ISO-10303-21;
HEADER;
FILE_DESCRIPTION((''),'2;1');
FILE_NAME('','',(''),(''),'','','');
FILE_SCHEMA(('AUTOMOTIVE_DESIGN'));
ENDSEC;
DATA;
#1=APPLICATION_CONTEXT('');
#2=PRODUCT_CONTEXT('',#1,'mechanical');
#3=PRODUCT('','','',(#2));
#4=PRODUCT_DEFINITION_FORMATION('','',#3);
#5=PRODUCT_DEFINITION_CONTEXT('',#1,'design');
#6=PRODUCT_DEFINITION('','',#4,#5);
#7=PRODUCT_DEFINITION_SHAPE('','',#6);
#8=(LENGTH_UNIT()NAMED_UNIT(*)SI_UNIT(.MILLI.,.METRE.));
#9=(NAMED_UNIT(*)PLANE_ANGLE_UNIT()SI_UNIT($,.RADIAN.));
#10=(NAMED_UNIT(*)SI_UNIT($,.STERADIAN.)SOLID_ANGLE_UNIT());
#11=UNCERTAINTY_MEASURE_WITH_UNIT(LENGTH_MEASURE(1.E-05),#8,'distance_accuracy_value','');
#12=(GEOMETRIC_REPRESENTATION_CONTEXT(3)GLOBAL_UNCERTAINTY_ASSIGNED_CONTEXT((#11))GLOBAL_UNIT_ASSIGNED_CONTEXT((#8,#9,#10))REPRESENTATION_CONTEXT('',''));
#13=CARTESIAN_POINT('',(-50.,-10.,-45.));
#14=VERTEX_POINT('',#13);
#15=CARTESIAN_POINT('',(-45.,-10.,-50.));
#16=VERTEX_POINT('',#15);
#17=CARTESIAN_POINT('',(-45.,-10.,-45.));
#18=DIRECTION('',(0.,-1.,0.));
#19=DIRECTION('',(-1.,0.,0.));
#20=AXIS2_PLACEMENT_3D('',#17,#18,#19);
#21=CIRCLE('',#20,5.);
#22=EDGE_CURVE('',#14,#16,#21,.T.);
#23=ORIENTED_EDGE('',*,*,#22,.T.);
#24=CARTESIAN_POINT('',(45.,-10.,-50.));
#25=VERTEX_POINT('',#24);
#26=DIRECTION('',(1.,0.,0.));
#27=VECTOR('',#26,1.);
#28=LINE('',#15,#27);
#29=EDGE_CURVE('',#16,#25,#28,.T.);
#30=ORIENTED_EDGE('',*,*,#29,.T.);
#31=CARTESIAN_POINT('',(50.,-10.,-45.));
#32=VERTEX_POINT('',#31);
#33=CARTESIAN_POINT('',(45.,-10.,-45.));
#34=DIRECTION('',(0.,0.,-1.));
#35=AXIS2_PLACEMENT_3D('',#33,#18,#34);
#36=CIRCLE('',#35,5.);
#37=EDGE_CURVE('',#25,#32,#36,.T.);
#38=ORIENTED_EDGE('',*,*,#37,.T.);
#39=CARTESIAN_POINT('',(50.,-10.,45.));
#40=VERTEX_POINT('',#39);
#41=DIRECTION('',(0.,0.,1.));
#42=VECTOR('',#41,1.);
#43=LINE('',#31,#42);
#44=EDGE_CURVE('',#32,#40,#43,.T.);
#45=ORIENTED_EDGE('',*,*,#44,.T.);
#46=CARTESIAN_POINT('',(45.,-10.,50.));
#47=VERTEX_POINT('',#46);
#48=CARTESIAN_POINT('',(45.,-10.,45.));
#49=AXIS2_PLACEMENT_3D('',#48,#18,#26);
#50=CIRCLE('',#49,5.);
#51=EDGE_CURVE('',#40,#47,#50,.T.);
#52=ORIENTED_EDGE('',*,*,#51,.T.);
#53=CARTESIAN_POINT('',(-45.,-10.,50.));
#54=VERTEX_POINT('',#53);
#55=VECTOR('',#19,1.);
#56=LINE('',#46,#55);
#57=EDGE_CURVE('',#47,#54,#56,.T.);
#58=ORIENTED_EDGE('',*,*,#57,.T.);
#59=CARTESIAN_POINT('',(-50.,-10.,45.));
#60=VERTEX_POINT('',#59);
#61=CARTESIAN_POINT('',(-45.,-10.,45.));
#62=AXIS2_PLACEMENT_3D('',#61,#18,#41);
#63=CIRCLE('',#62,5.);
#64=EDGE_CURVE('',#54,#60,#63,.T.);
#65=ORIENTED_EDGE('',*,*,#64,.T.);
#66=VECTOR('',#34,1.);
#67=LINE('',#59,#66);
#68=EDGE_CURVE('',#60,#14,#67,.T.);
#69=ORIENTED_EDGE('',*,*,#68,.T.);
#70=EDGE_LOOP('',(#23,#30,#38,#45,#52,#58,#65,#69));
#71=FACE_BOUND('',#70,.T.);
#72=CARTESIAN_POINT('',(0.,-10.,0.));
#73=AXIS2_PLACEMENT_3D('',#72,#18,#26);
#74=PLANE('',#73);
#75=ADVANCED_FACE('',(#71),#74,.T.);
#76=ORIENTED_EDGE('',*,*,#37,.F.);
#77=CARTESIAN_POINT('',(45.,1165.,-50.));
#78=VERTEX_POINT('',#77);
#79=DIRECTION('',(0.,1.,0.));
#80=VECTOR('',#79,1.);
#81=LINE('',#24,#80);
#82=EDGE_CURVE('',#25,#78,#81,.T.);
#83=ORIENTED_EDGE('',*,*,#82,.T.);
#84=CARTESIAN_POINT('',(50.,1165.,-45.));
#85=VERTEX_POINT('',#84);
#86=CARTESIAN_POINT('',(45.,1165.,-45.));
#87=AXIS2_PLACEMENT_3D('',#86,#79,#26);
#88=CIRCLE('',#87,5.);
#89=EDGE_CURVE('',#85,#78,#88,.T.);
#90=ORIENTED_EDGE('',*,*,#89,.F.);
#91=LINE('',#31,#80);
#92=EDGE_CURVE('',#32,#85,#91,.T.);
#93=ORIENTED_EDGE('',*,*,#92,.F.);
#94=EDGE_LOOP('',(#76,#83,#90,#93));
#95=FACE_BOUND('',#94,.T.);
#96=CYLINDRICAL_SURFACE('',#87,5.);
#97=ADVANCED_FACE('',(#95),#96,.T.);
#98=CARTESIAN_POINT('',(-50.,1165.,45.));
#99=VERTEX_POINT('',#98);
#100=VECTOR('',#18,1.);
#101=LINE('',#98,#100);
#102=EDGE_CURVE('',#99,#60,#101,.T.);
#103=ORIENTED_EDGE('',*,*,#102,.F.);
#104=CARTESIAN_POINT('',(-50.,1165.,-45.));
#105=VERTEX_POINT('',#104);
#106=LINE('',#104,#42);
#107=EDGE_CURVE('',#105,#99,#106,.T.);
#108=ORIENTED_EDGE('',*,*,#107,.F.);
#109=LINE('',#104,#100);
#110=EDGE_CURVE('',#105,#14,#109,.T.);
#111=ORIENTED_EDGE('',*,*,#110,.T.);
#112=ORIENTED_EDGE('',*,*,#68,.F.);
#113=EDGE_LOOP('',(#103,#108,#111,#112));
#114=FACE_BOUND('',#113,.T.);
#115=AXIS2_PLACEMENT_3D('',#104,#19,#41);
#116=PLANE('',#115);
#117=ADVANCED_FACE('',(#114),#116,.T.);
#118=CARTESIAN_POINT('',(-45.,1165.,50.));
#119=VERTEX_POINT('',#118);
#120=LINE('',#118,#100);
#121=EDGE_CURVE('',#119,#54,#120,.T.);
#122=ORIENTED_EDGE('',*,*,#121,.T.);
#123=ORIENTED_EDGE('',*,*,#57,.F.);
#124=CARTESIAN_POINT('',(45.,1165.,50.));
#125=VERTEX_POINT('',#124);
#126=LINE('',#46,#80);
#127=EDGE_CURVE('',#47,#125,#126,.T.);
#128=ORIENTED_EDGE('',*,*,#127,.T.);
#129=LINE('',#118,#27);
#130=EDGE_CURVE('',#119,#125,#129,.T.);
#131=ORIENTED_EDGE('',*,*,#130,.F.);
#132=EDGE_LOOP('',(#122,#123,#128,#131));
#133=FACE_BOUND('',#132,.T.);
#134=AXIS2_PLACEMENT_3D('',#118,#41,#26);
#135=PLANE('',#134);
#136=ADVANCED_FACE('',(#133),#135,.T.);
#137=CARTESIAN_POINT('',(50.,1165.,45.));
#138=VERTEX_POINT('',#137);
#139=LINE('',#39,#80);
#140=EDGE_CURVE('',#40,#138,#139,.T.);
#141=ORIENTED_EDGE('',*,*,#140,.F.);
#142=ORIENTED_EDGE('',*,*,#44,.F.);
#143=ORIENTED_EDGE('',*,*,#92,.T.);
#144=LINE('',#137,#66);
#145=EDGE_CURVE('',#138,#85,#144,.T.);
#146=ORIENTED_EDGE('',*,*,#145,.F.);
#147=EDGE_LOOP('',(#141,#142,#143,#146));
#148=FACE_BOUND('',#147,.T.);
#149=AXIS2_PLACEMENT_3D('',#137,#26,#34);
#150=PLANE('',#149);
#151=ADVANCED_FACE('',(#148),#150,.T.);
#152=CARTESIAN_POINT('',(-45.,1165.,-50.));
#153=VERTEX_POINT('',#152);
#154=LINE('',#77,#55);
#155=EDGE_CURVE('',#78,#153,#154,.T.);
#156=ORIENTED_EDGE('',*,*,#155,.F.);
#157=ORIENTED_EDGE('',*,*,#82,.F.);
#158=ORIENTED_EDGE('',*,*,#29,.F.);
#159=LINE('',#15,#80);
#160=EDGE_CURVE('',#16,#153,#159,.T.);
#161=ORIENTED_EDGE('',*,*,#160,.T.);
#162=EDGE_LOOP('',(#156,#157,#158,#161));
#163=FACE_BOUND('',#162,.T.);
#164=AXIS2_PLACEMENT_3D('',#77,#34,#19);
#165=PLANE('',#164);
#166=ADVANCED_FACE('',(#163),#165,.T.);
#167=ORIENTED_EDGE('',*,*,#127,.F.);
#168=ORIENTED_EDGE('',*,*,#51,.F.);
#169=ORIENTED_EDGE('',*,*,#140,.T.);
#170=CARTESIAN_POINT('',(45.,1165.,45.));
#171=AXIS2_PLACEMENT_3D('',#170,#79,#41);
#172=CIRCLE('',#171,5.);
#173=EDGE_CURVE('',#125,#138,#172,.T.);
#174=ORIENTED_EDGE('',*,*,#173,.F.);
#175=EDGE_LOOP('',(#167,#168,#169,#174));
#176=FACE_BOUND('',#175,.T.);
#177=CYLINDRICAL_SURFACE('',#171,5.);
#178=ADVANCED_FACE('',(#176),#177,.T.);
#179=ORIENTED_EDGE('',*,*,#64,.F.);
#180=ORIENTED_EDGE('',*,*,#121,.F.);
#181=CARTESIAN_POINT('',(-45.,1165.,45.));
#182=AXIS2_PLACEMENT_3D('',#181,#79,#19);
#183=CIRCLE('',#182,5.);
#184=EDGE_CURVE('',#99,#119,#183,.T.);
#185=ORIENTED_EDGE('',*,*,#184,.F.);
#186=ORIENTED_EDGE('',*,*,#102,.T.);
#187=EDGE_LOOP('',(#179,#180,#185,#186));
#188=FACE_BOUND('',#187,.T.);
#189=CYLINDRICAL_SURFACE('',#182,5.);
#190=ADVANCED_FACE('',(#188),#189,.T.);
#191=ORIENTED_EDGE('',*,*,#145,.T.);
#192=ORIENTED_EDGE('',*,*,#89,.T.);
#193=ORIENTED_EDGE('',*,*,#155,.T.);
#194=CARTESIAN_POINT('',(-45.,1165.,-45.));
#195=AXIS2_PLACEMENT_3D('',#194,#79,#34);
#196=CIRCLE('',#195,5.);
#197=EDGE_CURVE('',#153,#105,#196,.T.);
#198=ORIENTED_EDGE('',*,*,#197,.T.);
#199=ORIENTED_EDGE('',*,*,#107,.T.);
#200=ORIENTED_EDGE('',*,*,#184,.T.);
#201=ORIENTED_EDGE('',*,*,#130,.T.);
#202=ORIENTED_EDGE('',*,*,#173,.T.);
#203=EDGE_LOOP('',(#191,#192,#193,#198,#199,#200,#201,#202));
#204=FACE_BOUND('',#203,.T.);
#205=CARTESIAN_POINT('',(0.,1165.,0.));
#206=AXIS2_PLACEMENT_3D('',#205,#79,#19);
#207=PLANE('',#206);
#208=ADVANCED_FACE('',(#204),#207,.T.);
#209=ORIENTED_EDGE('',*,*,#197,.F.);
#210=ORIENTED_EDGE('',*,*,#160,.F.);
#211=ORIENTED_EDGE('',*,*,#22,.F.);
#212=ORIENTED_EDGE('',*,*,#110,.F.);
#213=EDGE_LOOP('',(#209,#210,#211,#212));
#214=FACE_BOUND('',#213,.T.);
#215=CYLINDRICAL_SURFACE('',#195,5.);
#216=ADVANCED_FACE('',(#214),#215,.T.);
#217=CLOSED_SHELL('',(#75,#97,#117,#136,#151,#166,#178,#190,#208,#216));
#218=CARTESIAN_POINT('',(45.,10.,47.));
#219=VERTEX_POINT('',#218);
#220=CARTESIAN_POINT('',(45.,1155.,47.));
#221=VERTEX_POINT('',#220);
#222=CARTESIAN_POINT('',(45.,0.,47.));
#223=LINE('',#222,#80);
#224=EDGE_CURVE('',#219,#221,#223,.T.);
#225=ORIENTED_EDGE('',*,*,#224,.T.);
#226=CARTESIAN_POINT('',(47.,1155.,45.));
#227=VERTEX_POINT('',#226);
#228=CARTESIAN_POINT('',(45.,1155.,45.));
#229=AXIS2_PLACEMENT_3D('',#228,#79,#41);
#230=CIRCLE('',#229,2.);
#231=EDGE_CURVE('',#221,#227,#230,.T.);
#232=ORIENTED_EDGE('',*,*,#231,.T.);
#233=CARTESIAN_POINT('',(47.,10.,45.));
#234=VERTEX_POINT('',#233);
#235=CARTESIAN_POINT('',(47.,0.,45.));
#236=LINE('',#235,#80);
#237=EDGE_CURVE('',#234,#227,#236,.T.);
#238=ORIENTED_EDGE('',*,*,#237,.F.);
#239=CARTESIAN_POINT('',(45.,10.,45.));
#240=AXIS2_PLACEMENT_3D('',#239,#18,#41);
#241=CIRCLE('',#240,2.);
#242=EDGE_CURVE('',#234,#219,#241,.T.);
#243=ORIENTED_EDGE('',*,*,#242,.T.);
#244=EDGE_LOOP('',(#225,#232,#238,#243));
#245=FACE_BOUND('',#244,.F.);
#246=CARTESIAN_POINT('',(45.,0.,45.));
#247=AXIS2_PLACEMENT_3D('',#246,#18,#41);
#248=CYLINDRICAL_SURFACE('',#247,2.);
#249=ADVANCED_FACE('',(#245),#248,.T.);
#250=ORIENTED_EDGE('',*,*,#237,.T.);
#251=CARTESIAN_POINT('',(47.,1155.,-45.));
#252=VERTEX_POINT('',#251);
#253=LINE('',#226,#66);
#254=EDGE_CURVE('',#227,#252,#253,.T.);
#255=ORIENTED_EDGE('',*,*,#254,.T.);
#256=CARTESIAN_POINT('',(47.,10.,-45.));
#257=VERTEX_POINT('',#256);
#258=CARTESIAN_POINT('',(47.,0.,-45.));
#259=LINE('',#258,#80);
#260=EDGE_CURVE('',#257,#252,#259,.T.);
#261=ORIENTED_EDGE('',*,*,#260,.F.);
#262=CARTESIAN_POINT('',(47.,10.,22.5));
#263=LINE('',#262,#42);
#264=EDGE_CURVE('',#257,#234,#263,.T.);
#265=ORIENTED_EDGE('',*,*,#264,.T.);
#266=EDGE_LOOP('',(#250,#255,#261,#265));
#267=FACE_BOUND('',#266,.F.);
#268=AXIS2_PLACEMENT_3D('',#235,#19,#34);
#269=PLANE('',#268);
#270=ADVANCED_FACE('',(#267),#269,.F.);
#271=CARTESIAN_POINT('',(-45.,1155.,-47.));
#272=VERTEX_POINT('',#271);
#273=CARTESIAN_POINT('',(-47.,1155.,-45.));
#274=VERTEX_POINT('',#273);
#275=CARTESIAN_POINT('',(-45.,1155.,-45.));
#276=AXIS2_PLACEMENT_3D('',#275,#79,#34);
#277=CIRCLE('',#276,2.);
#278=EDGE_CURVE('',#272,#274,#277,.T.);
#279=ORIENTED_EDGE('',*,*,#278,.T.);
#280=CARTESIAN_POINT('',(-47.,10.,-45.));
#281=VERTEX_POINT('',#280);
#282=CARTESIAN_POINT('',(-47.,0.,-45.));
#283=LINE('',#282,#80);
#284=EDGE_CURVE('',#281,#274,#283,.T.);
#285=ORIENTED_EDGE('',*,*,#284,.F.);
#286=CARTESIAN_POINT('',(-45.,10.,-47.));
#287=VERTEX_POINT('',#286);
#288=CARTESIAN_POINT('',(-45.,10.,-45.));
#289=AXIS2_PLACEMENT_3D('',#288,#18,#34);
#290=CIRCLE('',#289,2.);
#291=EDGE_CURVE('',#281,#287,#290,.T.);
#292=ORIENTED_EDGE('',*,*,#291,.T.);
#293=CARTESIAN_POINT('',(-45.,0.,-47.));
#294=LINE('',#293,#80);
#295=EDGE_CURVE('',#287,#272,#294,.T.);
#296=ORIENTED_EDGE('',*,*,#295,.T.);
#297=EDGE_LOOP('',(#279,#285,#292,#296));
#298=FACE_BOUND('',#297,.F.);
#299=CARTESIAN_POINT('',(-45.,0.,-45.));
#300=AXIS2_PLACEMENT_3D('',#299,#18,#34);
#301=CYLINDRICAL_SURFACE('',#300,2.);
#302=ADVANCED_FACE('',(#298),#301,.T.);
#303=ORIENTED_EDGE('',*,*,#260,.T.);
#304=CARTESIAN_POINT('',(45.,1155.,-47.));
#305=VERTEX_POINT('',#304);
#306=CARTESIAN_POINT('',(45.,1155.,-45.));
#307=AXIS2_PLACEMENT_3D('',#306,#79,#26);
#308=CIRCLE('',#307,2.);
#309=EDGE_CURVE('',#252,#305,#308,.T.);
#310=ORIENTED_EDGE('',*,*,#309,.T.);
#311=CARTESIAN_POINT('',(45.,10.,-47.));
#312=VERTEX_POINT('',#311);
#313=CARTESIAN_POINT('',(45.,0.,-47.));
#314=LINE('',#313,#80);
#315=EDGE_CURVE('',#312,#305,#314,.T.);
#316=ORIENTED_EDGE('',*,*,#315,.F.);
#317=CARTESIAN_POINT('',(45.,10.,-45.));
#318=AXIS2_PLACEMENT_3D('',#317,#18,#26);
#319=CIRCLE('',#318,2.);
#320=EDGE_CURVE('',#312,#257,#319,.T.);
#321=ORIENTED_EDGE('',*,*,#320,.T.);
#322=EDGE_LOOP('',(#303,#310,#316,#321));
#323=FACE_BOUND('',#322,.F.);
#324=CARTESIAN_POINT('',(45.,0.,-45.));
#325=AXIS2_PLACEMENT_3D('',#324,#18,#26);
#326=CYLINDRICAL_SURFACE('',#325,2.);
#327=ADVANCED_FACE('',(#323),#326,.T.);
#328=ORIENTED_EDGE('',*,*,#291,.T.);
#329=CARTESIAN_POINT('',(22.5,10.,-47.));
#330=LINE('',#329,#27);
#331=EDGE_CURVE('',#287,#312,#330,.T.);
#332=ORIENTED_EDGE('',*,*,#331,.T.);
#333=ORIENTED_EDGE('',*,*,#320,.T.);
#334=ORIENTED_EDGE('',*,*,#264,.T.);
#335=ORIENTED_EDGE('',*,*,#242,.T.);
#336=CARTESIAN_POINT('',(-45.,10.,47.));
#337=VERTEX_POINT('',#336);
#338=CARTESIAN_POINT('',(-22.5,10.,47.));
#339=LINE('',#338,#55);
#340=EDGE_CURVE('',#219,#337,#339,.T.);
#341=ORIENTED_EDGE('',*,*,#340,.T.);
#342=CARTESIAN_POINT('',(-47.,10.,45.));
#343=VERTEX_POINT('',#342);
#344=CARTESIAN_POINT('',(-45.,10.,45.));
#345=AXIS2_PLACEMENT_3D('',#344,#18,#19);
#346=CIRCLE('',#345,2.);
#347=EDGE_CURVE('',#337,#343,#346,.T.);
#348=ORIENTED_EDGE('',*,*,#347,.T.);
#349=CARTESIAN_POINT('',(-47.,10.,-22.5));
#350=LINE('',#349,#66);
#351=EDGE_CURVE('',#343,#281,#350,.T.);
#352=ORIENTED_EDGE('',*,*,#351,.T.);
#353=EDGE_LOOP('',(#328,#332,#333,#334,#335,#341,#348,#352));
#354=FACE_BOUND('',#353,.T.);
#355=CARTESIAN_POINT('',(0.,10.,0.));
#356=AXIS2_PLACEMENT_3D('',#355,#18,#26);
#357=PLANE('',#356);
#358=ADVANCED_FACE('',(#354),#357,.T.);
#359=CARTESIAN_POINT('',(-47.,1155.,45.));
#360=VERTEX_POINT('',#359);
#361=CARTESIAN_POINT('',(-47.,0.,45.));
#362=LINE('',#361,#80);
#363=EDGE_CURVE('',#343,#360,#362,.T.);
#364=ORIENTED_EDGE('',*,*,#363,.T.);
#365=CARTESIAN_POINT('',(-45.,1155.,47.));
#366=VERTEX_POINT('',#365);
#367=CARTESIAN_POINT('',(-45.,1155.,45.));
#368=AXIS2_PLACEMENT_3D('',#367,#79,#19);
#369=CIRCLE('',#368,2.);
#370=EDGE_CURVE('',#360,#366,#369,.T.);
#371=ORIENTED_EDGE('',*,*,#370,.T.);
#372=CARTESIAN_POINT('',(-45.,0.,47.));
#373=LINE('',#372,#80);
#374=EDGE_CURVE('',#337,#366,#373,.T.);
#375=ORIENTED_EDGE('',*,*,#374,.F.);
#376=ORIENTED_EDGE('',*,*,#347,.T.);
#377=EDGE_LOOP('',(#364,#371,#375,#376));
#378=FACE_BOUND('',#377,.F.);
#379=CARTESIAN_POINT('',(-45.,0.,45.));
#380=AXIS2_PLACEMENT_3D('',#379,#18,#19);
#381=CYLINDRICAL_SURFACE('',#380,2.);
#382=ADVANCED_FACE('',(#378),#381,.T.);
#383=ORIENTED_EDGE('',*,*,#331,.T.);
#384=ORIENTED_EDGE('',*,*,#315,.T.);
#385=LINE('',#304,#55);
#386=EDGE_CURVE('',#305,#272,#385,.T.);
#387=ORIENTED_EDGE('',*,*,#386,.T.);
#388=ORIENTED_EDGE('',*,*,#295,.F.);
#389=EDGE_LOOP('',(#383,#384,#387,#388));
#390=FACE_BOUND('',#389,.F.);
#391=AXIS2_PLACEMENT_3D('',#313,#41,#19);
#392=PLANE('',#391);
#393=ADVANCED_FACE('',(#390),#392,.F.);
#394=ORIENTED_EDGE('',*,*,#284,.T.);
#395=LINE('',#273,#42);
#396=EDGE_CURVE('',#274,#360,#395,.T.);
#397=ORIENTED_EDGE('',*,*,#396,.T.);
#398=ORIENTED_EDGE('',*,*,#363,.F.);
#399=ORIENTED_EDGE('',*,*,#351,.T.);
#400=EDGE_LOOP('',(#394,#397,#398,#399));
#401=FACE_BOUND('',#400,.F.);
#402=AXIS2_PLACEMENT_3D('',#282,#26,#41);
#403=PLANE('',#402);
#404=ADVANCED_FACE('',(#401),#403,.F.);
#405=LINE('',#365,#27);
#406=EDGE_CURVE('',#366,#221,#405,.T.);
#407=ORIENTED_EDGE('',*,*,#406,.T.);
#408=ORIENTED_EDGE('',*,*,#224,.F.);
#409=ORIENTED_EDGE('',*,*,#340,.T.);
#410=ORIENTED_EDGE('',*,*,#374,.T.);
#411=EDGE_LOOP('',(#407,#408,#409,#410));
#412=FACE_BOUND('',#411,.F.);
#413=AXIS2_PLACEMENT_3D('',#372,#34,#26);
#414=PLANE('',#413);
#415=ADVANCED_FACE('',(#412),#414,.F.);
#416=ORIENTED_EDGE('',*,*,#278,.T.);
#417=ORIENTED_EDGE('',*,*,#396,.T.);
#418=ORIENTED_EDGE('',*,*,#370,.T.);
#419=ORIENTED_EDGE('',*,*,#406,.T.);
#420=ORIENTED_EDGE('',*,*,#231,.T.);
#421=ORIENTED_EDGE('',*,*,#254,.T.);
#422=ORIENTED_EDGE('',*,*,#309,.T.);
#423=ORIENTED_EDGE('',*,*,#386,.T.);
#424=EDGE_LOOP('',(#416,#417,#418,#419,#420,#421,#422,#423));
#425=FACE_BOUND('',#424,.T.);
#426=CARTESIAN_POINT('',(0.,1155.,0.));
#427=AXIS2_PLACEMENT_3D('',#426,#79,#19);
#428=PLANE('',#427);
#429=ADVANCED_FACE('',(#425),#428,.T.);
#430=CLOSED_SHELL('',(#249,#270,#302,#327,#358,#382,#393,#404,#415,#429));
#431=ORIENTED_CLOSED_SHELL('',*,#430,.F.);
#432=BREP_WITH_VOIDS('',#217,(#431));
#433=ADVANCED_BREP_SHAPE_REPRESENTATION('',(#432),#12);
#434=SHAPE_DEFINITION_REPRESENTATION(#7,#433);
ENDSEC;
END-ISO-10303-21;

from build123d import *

# Parameters (mm, degrees)
F1_DEPTH = 1155
F4_DEPTH = 20
F7_DEPTH = 10


with BuildPart() as f1:
    # F0 (on Front) → F1 (new body)
    with BuildSketch(Plane.XZ):
        with BuildLine():
            ThreePointArc((50, 45), (48.5355339059, 48.5355339059), (45, 50))
            Line((45, 50), (-45, 50))
            ThreePointArc((-45, 50), (-48.5355339059, 48.5355339059), (-50, 45))
            Line((-50, 45), (-50, -45))
            ThreePointArc((-50, -45), (-48.5355339059, -48.5355339059), (-45, -50))
            Line((-45, -50), (45, -50))
            ThreePointArc((45, -50), (48.5355339059, -48.5355339059), (50, -45))
            Line((50, -45), (50, 45))
        make_face()
        with BuildLine():
            ThreePointArc((-47, 45), (-46.4142135624, 46.4142135624), (-45, 47))
            Line((-45, 47), (45, 47))
            ThreePointArc((45, 47), (46.4142135624, 46.4142135624), (47, 45))
            Line((47, 45), (47, -45))
            ThreePointArc((47, -45), (46.4142135624, -46.4142135624), (45, -47))
            Line((45, -47), (-45, -47))
            ThreePointArc((-45, -47), (-46.4142135624, -46.4142135624), (-47, -45))
            Line((-47, -45), (-47, 45))
        make_face(mode=Mode.SUBTRACT)
    extrude(amount=-F1_DEPTH)

    # F3 (on offset) → F4 (join)
    with BuildSketch(Plane.XZ.offset(10)):
        with BuildLine():
            Line((45, 50), (-45, 50))
            ThreePointArc((-45, 50), (-48.5355339059, 48.5355339059), (-50, 45))
            Line((-50, 45), (-50, -45))
            ThreePointArc((-50, -45), (-48.5355339059, -48.5355339059), (-45, -50))
            Line((-45, -50), (45, -50))
            ThreePointArc((45, -50), (48.5355339059, -48.5355339059), (50, -45))
            Line((50, -45), (50, 45))
            ThreePointArc((50, 45), (48.5355339059, 48.5355339059), (45, 50))
        make_face()
    extrude(amount=-F4_DEPTH)

    # F6 (on offset) → F7 (join)
    with BuildSketch(Plane(origin=(0, 1165, 0), x_dir=(-1, 0, 0), z_dir=(0, 1, 0))):
        with BuildLine():
            Line((45, 50), (-45, 50))
            ThreePointArc((-45, 50), (-48.5355339059, 48.5355339059), (-50, 45))
            Line((-50, 45), (-50, -45))
            ThreePointArc((-50, -45), (-48.5355339059, -48.5355339059), (-45, -50))
            Line((-45, -50), (45, -50))
            ThreePointArc((45, -50), (48.5355339059, -48.5355339059), (50, -45))
            Line((50, -45), (50, 45))
            ThreePointArc((50, 45), (48.5355339059, 48.5355339059), (45, 50))
        make_face()
    extrude(amount=-F7_DEPTH)


solid = f1.part
